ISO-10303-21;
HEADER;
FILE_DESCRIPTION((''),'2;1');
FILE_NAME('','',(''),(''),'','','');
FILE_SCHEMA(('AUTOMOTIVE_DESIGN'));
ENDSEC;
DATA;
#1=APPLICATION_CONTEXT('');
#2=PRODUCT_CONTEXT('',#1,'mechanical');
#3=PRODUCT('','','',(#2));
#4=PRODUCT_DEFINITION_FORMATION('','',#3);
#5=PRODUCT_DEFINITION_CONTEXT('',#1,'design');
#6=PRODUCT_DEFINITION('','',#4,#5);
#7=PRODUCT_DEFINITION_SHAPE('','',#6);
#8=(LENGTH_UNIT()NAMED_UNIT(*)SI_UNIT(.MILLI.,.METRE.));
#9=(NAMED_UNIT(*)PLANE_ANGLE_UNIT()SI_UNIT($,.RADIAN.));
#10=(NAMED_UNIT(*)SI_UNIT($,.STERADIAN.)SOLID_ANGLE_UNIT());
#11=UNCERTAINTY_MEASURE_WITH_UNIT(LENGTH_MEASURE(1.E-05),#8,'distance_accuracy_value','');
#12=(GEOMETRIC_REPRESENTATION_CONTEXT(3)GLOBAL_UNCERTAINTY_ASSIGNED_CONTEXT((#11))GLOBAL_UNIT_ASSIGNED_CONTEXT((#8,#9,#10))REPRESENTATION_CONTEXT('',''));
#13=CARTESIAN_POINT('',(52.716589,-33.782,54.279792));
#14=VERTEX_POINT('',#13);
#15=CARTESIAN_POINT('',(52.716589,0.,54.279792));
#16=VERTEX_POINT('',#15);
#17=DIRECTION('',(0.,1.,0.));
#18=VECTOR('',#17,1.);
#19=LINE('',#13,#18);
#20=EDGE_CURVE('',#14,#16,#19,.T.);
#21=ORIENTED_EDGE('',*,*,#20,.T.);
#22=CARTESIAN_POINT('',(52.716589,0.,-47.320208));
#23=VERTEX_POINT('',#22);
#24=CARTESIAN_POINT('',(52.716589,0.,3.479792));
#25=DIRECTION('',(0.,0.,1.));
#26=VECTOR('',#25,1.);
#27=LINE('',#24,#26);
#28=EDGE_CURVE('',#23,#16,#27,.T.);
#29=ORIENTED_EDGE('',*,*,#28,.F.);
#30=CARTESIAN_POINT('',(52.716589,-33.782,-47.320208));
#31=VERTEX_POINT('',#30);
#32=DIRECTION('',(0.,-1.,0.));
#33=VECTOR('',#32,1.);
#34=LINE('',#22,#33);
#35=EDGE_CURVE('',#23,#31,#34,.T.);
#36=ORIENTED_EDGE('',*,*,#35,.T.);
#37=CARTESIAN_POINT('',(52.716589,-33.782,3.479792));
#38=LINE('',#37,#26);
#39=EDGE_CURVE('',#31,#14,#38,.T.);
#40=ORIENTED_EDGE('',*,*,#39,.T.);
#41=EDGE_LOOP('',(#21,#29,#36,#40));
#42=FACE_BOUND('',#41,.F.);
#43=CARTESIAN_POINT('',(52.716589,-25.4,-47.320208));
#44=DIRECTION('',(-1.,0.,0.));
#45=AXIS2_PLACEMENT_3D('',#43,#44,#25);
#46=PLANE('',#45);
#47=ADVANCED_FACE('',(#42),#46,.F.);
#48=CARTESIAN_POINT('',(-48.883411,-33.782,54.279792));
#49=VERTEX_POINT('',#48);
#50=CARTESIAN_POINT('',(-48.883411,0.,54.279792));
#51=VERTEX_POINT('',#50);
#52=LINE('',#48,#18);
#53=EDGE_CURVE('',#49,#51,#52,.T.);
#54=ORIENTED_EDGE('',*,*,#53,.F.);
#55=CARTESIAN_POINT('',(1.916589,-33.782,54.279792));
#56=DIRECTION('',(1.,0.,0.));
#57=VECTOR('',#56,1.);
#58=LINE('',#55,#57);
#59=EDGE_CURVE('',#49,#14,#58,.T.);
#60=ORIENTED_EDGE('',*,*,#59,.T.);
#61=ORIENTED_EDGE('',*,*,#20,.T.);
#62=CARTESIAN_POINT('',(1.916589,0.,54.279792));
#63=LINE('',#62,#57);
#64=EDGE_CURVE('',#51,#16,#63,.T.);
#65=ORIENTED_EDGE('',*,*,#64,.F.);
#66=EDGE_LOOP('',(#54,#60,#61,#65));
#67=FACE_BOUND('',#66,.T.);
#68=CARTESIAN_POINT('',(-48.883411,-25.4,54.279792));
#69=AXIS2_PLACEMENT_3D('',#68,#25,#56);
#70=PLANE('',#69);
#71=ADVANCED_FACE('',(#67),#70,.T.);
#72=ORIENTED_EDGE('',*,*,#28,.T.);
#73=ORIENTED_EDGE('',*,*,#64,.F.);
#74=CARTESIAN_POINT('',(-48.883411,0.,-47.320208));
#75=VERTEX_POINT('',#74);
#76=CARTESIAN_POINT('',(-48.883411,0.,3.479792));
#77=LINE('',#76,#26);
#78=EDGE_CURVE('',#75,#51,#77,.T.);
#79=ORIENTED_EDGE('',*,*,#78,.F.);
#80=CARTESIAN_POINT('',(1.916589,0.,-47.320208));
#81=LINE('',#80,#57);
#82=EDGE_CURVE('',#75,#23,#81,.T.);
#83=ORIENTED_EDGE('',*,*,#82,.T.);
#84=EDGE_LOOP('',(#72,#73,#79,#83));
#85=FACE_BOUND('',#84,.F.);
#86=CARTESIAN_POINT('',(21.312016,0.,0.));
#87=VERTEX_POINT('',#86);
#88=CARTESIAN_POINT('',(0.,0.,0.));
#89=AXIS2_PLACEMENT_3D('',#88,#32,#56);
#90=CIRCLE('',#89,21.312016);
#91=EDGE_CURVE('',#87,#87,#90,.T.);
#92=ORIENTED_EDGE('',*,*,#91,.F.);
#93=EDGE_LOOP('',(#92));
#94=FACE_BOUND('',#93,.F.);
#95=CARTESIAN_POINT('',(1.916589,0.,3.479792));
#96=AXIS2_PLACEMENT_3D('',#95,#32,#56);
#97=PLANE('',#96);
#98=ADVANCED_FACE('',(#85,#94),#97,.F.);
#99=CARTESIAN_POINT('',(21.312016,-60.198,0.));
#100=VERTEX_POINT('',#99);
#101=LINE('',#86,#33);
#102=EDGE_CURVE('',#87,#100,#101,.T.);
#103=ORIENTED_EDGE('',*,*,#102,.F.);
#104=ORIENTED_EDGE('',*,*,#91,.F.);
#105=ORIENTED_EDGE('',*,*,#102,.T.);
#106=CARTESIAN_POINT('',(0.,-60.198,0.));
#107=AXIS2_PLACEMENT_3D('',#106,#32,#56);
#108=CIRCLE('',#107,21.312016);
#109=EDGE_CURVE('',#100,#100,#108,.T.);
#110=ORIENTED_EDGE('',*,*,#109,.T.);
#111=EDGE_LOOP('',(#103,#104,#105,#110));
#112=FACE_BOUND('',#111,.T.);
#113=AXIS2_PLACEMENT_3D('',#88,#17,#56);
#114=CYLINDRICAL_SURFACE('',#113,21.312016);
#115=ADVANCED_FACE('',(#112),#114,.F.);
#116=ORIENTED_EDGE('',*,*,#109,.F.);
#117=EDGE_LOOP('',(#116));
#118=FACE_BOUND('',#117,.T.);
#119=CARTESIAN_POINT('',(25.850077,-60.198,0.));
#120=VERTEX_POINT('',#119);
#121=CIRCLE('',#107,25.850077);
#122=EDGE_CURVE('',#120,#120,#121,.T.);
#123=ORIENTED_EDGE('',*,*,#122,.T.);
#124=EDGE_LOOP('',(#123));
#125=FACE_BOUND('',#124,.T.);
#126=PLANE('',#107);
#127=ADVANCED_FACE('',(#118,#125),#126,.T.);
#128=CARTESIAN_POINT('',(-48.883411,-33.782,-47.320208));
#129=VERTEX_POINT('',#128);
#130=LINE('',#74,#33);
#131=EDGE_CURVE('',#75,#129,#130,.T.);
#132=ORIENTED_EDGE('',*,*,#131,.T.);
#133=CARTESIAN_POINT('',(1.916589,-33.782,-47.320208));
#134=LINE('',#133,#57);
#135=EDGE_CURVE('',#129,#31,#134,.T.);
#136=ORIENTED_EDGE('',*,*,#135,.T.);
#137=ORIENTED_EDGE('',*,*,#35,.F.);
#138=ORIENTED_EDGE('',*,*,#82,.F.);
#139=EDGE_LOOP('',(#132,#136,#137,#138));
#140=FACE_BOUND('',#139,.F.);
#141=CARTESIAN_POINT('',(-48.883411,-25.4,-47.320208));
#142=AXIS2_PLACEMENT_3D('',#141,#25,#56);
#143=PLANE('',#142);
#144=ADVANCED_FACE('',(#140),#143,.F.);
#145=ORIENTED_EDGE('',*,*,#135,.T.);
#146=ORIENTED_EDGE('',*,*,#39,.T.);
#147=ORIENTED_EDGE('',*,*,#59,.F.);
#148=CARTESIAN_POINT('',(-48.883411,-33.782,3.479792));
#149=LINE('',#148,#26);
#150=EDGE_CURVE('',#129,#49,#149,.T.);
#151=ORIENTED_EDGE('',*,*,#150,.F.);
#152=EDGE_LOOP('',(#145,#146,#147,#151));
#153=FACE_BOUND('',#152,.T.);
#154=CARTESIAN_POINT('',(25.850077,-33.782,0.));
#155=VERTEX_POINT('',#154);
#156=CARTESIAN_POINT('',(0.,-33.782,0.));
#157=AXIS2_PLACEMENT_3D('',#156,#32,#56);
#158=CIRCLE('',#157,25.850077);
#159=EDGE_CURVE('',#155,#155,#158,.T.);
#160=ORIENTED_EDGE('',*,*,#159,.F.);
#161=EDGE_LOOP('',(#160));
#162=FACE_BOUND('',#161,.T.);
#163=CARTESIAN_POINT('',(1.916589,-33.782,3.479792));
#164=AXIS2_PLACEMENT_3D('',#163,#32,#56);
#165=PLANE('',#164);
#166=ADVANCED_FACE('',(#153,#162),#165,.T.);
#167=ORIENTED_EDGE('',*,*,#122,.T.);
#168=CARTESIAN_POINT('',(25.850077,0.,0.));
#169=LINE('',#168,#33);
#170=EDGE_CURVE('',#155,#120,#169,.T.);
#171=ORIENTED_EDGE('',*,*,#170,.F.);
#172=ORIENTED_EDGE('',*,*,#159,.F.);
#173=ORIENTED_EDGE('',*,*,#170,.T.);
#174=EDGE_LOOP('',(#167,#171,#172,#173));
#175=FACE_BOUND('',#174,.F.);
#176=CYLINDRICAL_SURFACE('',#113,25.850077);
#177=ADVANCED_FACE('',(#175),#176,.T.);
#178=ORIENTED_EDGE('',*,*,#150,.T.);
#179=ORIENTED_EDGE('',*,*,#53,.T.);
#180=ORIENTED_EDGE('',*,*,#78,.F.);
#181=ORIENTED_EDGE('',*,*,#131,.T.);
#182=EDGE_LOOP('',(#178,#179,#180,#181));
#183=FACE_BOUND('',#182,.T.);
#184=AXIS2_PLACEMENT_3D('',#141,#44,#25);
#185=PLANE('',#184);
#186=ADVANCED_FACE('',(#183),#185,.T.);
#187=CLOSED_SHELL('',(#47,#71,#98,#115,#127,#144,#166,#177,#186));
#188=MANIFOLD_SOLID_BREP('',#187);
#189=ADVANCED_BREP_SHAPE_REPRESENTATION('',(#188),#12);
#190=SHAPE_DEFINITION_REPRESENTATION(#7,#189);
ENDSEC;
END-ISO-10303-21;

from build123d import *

# Parameters (mm, degrees)
F0_W      = 101.6
F0_H      = 101.6
F0_R      = 25.850077
F1_DEPTH  = 25.4
F0_R_2    = 21.312016
F2_DEPTH  = 60.198
F1_FACE_W = 101.6
F1_FACE_H = 101.6
F1_FACE_R = 25.850077
F3_DEPTH  = 8.382


with BuildPart() as f1:
    # F0 (on Front) → F1 (new body)
    with BuildSketch(Plane.XZ):
        with Locations((1.916589, 3.479792)):
            Rectangle(F0_W, F0_H)
        Circle(F0_R, mode=Mode.SUBTRACT)
    extrude(amount=F1_DEPTH)

    # F0 (on Front) → F2 (join)
    with BuildSketch(Plane.XZ):
        Circle(F0_R)
        Circle(F0_R_2, mode=Mode.SUBTRACT)
    extrude(amount=F2_DEPTH)

    # F1_face (on face) → F3 (join)
    with BuildSketch(Plane(origin=(2.40587, -25.4, 4.368139), x_dir=(1, 0, 0), z_dir=(0, -1, 0))):
        with Locations((-0.489281, -0.888347)):
            Rectangle(F1_FACE_W, F1_FACE_H)
        with Locations((-2.40587, -4.368139)):
            Circle(F1_FACE_R, mode=Mode.SUBTRACT)
    extrude(amount=F3_DEPTH)


solid = f1.part
